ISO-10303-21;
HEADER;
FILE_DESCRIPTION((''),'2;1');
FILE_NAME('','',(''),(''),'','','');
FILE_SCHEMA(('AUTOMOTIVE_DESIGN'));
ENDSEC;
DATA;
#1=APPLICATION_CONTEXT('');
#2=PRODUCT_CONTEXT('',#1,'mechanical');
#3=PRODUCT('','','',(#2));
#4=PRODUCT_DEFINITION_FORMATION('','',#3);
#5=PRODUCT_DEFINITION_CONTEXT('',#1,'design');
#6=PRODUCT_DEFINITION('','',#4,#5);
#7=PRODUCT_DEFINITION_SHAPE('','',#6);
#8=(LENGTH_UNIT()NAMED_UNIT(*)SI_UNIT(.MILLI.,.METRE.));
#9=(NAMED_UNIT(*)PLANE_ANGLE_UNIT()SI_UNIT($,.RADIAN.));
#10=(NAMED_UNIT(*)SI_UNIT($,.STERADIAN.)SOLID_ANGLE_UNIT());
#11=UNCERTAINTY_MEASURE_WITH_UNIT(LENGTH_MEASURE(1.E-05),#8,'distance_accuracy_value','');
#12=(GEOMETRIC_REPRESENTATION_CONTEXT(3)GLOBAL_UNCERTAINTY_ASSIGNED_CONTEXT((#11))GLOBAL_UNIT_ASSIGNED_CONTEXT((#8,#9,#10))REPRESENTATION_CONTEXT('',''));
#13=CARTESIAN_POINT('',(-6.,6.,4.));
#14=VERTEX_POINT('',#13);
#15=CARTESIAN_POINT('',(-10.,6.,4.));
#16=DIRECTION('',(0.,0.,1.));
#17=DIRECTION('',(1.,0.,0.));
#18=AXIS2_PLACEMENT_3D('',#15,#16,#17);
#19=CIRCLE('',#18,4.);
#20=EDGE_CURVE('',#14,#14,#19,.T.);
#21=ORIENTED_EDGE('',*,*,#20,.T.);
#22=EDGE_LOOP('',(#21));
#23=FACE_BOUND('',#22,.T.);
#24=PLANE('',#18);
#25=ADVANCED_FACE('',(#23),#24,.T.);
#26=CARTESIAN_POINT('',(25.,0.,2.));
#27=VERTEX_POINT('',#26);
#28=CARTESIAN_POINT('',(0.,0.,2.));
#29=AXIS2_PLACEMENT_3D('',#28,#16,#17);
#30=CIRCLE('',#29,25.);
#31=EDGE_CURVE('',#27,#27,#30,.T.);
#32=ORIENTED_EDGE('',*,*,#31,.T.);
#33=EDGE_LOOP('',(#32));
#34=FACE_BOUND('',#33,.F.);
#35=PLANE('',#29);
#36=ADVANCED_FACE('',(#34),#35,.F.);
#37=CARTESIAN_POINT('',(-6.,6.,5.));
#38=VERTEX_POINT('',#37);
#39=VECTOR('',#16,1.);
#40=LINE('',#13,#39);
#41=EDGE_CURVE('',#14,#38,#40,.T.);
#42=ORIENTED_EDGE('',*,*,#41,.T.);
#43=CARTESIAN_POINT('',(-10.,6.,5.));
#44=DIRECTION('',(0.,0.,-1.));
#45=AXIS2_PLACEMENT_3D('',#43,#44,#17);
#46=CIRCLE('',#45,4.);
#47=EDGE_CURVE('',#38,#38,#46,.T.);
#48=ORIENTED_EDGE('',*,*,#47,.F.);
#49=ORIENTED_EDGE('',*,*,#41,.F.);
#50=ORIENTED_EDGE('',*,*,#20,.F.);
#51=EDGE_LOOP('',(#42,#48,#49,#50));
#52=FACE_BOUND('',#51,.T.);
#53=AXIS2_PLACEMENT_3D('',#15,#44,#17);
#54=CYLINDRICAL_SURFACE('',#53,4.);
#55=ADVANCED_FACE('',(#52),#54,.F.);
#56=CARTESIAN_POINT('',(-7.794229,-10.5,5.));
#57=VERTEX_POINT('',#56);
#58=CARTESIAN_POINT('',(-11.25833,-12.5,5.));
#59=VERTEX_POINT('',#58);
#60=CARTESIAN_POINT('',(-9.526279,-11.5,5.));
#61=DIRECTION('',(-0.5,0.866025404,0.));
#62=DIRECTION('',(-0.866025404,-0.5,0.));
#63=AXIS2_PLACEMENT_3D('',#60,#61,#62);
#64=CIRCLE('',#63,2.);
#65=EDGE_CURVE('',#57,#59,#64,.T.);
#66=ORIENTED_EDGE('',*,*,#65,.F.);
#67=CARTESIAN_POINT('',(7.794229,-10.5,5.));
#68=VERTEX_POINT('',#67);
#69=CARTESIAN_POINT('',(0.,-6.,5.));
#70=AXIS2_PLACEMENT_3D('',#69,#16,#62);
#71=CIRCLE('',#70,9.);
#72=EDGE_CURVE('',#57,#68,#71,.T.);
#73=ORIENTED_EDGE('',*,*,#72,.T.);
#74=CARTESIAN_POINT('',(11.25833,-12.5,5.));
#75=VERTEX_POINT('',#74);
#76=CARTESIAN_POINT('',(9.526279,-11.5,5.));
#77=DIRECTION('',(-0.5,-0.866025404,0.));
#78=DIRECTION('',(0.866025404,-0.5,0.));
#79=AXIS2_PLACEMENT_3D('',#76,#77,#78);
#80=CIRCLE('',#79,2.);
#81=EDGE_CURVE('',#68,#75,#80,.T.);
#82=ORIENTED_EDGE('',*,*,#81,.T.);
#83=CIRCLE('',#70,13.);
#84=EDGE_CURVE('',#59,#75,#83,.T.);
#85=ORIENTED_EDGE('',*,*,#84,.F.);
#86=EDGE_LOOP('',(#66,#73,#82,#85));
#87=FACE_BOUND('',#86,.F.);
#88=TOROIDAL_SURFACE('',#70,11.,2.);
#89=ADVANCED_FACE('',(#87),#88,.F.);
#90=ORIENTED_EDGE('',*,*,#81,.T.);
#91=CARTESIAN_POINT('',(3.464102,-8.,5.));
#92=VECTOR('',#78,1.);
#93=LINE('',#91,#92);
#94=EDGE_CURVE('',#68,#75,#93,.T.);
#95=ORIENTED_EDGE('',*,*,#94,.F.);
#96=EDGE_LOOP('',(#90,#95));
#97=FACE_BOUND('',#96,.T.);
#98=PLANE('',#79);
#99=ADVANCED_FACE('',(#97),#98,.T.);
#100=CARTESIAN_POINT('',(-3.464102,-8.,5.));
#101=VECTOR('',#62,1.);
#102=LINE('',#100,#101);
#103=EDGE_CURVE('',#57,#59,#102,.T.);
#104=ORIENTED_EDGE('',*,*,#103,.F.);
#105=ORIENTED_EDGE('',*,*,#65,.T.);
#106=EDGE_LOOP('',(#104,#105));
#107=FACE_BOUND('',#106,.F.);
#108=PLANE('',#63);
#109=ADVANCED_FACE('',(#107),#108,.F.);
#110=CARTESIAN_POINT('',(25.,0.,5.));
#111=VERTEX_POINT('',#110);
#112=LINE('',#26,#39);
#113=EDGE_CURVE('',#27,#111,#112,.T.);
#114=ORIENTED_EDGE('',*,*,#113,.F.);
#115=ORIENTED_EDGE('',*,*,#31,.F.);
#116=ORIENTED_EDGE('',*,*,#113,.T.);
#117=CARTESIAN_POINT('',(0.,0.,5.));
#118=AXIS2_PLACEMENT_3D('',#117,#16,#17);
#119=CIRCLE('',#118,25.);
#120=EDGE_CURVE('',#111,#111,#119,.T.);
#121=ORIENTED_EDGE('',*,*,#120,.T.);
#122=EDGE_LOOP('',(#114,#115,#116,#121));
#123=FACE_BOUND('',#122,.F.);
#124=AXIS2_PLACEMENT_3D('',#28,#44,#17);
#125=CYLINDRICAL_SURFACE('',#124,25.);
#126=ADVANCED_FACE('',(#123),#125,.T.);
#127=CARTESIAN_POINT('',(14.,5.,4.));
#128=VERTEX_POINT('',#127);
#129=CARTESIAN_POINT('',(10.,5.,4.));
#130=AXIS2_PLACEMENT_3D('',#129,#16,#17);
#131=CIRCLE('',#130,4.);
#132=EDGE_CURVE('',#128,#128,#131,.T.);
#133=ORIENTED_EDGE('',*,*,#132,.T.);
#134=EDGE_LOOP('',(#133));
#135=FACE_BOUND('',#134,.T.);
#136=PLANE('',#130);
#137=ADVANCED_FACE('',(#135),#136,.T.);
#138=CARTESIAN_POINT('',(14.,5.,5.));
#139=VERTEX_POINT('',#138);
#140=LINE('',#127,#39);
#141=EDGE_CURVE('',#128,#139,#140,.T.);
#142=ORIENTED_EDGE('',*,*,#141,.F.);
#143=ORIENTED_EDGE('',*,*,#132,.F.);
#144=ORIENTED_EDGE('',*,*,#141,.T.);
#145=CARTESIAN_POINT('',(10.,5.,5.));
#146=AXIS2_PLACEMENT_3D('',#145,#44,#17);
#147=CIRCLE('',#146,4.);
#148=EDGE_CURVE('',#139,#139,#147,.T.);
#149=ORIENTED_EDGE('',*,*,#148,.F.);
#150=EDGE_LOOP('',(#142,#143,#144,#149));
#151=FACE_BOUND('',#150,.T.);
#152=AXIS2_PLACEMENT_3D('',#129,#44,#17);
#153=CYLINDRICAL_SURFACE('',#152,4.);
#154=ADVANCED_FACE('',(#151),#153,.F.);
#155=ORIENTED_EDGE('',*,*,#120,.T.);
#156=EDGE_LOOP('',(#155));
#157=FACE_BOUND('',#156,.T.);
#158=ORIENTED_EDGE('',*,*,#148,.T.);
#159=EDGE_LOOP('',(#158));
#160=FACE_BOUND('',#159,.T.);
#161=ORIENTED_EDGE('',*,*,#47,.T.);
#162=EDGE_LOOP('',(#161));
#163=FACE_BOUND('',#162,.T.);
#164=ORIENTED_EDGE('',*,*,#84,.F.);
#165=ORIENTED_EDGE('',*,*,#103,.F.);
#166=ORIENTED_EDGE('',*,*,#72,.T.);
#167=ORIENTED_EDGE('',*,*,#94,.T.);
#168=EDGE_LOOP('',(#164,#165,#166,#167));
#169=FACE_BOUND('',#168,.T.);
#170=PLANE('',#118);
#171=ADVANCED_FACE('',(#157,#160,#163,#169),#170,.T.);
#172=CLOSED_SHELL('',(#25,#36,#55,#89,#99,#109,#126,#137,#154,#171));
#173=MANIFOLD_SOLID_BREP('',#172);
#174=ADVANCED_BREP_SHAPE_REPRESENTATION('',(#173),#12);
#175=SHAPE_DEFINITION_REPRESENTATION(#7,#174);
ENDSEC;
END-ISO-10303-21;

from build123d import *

# Parameters (mm, degrees)
TORUS_R               = 2
TORUS_ANGLE           = 120
TORUS_PLACEMENT_ANGLE = 150
CYLINDER002_R         = 4
CYLINDER002_DEPTH     = 4
CYLINDER001_R         = 4
CYLINDER001_DEPTH     = 4
CYLINDER_R            = 25
CYLINDER_DEPTH        = 3


with BuildPart() as torus:
    # Torus → Torus (revolve)
    with BuildSketch(Plane.XZ):
        with Locations((11, 0)):
            Circle(TORUS_R)
    revolve(axis=Axis((0, 0, 0), (0, 0, 1)), revolution_arc=TORUS_ANGLE)


with BuildPart() as torus_1:
    # Torus placement: moved
    add(torus.part.moved(Location((0, -6, 5))).rotate(Axis((0, -6, 5), (0, 0, -1)), TORUS_PLACEMENT_ANGLE))


with BuildPart() as cilindre002:
    # Cylinder002 → Cylinder002 (new body)
    with BuildSketch(Plane(origin=(10, 5, 2), x_dir=(1, 0, 0), z_dir=(0, 0, 1))):
        Circle(CYLINDER002_R)
    extrude(amount=CYLINDER002_DEPTH)


with BuildPart() as cilindre001:
    # Cylinder001 → Cylinder001 (new body)
    with BuildSketch(Plane(origin=(-10, 6, 2), x_dir=(1, 0, 0), z_dir=(0, 0, 1))):
        Circle(CYLINDER001_R)
    extrude(amount=CYLINDER001_DEPTH)


with BuildPart() as cut002:
    # Cylinder → Cylinder (new body)
    with BuildSketch(Plane.XY):
        Circle(CYLINDER_R)
    extrude(amount=CYLINDER_DEPTH)

    # Cut: cut Cilindre001
    add(cilindre001.part, mode=Mode.SUBTRACT)

    # Cut001: cut Cilindre002
    add(cilindre002.part, mode=Mode.SUBTRACT)


with BuildPart() as cut002_1:
    # Cut001 placement: moved
    add(cut002.part.moved(Location((0, 0, 2))))

    # Cut002: cut Torus
    add(torus_1.part, mode=Mode.SUBTRACT)


solid = cut002_1.part
